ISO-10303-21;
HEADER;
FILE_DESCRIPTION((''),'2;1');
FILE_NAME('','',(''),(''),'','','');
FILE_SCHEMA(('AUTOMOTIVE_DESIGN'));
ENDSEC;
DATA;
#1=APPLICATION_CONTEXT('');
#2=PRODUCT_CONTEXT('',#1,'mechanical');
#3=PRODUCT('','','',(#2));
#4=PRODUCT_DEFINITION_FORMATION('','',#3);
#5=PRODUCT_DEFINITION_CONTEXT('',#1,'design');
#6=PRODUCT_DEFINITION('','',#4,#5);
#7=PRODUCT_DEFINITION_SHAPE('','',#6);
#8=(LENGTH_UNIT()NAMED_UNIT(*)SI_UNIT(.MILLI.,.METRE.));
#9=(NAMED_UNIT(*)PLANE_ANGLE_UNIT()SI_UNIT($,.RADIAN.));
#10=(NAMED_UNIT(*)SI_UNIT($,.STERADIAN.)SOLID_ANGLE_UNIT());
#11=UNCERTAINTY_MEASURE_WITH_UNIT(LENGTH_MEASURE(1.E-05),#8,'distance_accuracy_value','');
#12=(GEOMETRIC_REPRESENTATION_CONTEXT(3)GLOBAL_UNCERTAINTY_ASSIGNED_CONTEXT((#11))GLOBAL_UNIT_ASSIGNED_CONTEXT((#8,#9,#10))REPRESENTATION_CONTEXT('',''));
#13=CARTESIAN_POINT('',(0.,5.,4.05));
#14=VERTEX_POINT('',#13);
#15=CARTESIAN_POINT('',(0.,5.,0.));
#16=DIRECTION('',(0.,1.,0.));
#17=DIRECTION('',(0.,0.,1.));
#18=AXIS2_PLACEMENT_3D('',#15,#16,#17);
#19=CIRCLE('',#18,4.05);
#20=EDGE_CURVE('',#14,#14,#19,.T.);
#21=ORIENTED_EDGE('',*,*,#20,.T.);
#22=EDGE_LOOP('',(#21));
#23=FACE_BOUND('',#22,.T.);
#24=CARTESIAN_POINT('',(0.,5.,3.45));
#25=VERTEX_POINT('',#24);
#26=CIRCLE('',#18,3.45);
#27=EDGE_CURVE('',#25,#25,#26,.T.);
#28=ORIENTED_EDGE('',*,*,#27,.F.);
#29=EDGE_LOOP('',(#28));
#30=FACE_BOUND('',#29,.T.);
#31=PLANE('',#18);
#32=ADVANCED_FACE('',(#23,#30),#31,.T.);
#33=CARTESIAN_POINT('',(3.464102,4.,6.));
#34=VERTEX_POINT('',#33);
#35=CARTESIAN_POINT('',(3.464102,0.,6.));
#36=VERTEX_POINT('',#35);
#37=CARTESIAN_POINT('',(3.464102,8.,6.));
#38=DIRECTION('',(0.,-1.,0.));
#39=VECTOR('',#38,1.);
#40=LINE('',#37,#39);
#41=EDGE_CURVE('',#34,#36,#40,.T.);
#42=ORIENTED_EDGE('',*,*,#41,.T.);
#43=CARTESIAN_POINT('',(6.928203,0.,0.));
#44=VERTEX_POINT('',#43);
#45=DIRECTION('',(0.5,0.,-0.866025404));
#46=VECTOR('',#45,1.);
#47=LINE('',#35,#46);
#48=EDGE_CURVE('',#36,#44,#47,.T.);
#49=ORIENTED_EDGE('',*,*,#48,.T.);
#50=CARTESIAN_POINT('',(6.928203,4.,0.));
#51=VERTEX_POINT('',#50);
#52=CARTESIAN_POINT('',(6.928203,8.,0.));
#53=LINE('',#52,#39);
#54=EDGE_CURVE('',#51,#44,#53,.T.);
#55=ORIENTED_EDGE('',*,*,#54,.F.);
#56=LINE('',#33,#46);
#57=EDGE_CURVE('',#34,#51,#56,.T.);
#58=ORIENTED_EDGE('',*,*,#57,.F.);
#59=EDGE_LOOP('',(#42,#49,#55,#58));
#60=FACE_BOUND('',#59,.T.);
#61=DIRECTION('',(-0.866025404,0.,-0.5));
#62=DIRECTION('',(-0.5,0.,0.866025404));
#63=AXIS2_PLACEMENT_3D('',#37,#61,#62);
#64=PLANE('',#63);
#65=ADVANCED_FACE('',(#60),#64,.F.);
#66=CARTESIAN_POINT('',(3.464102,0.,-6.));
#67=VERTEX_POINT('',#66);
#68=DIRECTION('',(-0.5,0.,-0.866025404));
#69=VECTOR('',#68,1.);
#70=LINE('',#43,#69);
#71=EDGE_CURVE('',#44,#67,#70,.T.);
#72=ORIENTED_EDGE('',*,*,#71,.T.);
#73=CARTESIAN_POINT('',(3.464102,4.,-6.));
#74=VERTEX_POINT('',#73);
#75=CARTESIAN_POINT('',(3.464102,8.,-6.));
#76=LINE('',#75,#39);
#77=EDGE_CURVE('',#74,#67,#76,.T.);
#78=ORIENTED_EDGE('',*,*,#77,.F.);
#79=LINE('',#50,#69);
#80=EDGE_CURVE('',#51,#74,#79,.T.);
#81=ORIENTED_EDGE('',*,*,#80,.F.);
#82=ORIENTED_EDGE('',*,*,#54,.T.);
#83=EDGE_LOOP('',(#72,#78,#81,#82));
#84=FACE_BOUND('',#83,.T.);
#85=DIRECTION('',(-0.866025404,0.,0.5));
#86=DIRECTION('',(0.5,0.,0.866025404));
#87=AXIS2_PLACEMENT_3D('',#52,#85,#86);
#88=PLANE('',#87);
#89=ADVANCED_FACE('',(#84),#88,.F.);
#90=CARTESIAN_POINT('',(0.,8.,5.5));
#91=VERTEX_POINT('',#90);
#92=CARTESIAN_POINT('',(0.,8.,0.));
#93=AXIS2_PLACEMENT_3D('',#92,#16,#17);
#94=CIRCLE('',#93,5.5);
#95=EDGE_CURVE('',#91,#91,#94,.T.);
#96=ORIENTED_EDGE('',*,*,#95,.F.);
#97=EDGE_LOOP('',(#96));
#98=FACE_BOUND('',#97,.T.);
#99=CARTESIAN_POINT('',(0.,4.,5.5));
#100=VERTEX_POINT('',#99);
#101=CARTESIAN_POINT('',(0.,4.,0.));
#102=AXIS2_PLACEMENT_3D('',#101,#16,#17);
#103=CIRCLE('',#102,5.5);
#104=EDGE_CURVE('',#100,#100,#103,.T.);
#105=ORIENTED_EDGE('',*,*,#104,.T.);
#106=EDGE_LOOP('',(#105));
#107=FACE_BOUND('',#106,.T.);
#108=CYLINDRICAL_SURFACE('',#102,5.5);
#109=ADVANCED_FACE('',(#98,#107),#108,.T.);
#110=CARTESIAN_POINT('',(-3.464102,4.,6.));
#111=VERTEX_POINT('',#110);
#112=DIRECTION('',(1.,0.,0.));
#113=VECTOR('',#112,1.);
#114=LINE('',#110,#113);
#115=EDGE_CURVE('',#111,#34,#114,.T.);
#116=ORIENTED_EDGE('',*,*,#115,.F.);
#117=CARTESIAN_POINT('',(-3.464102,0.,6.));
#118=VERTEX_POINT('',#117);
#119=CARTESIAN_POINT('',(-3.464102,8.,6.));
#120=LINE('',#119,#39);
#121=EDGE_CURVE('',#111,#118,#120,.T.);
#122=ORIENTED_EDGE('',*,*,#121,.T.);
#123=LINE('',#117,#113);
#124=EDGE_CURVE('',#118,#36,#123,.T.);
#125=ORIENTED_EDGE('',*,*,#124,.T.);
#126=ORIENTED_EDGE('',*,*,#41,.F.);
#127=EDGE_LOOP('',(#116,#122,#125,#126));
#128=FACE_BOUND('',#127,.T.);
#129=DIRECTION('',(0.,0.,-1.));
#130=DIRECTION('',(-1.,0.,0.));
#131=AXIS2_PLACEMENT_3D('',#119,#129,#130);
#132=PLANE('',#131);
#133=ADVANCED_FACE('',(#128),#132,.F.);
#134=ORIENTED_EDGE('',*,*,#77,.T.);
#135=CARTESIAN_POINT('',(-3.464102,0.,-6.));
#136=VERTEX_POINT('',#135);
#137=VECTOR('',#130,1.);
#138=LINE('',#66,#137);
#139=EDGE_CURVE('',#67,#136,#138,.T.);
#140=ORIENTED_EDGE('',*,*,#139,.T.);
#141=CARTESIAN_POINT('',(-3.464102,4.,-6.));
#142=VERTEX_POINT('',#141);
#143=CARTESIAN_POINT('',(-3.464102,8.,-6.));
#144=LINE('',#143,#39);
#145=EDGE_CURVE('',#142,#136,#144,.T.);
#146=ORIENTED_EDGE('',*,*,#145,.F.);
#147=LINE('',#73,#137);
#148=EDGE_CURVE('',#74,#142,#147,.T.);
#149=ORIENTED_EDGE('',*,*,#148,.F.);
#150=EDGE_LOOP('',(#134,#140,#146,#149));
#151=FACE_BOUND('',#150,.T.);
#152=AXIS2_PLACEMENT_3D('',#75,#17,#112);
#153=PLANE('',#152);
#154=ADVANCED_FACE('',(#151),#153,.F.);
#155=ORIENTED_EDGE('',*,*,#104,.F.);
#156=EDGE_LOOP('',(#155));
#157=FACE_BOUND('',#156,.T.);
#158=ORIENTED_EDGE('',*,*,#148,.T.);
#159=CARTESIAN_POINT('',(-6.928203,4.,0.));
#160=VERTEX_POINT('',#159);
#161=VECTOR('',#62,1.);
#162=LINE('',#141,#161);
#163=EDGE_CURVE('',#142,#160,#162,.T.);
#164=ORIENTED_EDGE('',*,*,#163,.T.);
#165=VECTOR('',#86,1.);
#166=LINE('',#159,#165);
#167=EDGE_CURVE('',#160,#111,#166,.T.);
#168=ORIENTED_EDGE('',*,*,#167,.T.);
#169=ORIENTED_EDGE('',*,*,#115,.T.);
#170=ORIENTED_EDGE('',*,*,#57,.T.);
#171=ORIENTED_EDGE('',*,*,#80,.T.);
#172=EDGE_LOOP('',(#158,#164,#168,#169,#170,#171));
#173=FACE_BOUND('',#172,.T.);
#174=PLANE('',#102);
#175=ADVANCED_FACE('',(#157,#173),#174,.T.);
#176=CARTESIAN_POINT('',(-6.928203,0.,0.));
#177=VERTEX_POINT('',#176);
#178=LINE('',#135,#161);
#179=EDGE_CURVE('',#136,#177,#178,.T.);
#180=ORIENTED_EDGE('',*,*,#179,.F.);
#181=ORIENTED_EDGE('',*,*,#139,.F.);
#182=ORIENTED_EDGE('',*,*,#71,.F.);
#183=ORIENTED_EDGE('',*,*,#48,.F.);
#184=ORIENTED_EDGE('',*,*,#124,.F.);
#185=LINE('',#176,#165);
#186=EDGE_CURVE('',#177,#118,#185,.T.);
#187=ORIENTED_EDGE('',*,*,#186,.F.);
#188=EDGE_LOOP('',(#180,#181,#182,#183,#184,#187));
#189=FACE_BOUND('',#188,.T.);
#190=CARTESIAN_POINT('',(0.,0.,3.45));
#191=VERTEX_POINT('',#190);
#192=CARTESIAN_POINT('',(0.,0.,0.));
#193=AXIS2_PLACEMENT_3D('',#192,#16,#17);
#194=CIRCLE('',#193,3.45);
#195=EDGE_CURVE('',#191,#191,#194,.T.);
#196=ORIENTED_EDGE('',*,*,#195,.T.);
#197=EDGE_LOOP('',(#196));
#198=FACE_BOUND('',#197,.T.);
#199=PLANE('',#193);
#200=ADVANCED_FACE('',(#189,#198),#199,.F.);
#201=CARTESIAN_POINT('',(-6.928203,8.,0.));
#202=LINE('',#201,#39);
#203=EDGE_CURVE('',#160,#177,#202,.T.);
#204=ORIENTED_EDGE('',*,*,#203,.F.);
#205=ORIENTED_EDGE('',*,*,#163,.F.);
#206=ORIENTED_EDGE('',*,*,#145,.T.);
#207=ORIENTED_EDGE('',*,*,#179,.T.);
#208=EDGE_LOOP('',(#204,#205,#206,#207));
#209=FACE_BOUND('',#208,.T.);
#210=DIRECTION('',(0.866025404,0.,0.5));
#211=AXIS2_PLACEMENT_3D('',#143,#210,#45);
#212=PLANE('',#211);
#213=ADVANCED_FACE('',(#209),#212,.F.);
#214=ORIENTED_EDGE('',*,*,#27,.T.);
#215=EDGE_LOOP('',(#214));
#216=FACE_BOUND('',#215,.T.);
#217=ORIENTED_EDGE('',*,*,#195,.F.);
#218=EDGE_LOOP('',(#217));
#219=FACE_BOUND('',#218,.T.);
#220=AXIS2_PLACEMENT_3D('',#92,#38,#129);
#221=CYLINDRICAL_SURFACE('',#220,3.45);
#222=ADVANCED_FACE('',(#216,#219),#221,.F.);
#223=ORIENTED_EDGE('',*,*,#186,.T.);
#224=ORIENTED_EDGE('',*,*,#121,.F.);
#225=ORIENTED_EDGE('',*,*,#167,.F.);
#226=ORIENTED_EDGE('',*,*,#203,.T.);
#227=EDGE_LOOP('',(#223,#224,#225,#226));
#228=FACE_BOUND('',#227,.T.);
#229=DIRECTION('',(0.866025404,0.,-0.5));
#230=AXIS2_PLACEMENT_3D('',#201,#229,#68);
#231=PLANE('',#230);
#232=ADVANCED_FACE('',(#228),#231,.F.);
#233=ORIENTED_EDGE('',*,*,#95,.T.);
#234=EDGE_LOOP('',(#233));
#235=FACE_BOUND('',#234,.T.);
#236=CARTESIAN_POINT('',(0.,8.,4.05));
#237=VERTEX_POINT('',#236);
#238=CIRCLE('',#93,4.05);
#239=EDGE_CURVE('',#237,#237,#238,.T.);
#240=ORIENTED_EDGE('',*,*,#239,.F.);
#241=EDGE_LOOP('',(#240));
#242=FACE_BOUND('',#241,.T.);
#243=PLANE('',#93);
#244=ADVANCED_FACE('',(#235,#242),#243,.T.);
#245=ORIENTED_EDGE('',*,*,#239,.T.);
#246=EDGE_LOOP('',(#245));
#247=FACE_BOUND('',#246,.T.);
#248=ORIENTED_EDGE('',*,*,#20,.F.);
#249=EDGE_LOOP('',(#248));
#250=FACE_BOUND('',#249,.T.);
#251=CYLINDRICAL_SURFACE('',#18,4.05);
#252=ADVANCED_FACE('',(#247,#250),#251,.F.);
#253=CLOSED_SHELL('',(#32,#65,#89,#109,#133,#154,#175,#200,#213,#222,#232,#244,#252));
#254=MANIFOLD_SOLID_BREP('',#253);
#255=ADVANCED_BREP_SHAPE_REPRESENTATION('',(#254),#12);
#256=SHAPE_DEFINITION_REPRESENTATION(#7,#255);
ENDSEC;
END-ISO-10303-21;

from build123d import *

# Parameters (mm, degrees)
SKETCH1_R           = 3.45
BOSS_EXTRUDE1_DEPTH = 8
SKETCH2_R           = 4.05
CUT_EXTRUDE1_DEPTH  = 3
SKETCH3_R           = 10
SKETCH3_R_2         = 5.5
CUT_EXTRUDE3_DEPTH  = 4


with BuildPart() as part:
    # Sketch1 → Boss-Extrude1 (new body)
    with BuildSketch(Plane(origin=(0, 0, 0), x_dir=(1, 0, 0), z_dir=(0, 1, 0))):
        Polygon((3.464101615, 6), (-3.464101615, 6), (-6.92820323, 0), (-3.464101615, -6), (3.464101615, -6), (6.92820323, 0), align=None)
        Circle(SKETCH1_R, mode=Mode.SUBTRACT)
    extrude(amount=BOSS_EXTRUDE1_DEPTH)

    # Sketch2 → Cut-Extrude1 (cut)
    with BuildSketch(Plane(origin=(0, 8, 0), x_dir=(1, 0, 0), z_dir=(0, 1, 0))):
        Circle(SKETCH2_R)
    extrude(amount=-CUT_EXTRUDE1_DEPTH, mode=Mode.SUBTRACT)

    # Sketch3 → Cut-Extrude3 (cut)
    with BuildSketch(Plane(origin=(0, 8, 0), x_dir=(1, 0, 0), z_dir=(0, 1, 0))):
        Circle(SKETCH3_R)
        Polygon((6.92820323, 0), (3.464101615, 6), (-3.464101615, 6), (-6.92820323, 0), (-3.464101615, -6), (3.464101615, -6), align=None, mode=Mode.SUBTRACT)
        Polygon((3.464101615, -6), (6.92820323, 0), (3.464101615, 6), (-3.464101615, 6), (-6.92820323, 0), (-3.464101615, -6), align=None)
        Circle(SKETCH3_R_2, mode=Mode.SUBTRACT)
    extrude(amount=-CUT_EXTRUDE3_DEPTH, mode=Mode.SUBTRACT)


solid = part.part
